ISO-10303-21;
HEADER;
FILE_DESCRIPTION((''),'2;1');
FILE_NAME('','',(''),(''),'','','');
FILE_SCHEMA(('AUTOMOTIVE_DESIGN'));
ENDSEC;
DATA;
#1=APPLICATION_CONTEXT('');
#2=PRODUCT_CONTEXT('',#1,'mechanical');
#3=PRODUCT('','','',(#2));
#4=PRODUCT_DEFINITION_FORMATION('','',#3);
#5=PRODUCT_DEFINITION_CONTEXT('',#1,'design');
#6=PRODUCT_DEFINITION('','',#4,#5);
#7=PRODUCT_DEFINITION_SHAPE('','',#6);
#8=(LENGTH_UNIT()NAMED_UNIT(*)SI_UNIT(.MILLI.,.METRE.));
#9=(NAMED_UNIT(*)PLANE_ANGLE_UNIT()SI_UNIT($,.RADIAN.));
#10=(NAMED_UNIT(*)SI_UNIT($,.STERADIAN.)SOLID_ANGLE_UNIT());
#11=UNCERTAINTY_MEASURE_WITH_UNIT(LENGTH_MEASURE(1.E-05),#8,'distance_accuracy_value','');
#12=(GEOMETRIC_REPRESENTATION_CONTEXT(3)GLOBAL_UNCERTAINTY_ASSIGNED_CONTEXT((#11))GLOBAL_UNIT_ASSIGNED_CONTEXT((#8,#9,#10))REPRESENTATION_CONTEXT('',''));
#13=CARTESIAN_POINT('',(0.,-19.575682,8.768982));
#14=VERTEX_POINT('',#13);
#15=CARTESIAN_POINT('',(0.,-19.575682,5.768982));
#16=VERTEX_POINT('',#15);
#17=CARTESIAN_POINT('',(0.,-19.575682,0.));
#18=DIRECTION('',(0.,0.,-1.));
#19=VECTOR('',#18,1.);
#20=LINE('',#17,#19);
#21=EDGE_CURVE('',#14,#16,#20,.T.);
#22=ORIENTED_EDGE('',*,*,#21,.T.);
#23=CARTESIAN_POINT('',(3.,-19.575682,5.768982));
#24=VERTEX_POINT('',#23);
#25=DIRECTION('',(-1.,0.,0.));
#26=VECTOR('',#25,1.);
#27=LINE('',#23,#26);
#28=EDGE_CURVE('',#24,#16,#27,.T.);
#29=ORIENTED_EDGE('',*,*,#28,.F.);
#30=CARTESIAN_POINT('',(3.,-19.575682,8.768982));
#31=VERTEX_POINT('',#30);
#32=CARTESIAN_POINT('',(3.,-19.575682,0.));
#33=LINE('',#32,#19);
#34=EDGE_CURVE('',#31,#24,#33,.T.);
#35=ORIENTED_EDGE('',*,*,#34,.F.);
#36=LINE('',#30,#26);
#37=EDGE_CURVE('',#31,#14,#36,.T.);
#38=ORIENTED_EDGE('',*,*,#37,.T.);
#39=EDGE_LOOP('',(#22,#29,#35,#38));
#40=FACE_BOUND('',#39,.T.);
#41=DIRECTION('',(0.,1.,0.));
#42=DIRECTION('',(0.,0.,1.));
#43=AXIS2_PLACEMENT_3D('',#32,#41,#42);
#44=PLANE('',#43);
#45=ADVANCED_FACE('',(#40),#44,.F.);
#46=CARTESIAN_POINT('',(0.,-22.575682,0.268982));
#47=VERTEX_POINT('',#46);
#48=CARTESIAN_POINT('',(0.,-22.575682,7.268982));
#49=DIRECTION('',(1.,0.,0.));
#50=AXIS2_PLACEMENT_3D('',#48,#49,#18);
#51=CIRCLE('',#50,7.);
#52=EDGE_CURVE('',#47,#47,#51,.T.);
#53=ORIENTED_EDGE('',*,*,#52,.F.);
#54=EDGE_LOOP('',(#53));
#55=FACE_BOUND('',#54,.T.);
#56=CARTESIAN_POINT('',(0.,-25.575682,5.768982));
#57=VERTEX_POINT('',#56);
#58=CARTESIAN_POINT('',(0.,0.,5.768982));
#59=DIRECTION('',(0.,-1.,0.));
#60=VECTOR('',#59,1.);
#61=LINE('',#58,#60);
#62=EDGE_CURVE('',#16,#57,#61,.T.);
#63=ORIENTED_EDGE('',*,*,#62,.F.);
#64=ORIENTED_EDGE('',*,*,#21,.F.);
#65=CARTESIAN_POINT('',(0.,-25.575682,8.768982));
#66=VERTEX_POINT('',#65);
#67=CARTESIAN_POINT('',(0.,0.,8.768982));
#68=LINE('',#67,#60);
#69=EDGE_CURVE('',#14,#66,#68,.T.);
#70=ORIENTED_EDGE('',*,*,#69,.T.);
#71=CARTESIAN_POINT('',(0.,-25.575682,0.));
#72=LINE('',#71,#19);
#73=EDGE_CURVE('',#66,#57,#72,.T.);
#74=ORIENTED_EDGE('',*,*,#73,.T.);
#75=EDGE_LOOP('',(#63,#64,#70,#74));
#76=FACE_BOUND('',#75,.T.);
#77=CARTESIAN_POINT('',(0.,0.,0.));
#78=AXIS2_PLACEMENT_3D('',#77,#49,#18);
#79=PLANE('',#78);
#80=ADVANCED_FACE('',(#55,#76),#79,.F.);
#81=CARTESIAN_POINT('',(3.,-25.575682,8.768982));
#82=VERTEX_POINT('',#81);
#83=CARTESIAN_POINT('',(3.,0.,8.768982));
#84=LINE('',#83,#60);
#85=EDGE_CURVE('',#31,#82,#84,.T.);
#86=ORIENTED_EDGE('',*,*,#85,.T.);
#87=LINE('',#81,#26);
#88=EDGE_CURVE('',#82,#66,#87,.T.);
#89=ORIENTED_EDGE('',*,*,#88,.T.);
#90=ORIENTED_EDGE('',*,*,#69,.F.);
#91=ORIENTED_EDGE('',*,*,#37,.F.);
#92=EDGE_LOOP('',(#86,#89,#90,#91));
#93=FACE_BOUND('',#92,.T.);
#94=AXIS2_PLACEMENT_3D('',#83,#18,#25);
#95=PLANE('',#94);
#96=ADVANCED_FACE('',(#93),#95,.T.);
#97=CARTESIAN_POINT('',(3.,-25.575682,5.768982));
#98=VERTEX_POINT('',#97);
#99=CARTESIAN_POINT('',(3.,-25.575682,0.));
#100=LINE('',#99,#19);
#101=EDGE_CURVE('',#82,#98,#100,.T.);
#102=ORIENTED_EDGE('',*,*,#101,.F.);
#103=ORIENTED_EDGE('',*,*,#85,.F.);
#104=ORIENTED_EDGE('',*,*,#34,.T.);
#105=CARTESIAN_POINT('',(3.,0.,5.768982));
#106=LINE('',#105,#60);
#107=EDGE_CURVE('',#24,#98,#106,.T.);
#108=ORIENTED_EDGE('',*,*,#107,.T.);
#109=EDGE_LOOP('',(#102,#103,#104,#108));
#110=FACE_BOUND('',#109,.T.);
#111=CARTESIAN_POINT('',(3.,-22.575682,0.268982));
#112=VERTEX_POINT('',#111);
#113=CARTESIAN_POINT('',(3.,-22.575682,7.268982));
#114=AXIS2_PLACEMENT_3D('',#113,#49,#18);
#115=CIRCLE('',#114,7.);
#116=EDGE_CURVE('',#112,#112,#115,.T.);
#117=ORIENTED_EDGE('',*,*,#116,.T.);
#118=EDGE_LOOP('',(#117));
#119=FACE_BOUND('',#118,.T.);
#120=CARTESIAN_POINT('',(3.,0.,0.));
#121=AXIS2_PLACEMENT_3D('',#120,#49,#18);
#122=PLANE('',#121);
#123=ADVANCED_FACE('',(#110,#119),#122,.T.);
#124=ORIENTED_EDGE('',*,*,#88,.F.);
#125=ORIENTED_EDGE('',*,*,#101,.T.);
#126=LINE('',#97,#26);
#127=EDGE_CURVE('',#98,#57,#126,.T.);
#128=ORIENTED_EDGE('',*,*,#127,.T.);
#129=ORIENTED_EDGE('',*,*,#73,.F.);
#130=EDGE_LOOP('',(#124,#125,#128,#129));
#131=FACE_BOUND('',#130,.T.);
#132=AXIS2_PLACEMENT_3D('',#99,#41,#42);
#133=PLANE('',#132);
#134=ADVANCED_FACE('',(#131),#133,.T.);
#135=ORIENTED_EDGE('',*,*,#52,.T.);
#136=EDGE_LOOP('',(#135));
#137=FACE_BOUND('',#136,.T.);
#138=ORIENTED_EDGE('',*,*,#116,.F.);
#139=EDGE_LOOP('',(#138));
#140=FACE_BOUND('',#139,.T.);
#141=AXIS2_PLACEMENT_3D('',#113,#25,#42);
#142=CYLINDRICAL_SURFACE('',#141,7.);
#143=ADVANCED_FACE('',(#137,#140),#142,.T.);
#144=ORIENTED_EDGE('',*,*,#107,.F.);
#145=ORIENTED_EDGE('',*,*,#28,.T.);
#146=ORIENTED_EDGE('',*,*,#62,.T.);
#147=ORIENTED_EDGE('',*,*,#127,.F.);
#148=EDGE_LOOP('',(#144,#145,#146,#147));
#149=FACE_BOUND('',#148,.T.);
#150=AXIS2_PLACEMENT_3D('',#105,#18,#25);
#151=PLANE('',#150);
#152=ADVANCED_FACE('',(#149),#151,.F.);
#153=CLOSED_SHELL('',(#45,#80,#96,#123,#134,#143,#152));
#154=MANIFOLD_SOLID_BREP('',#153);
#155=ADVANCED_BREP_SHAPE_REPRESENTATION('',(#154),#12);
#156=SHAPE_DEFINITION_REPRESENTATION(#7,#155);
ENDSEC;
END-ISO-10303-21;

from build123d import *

# Parameters (mm, degrees)
SKETCH1_R           = 7
SKETCH1_W           = 3
SKETCH1_H           = 6
BOSS_EXTRUDE1_DEPTH = 3


with BuildPart() as part:
    # Sketch1 → Boss-Extrude1 (new body)
    with BuildSketch(Plane(origin=(0, 0, 0), x_dir=(0, 0, -1), z_dir=(1, 0, 0))):
        with Locations((-7.268981817, -22.575682471)):
            Circle(SKETCH1_R)
        with Locations((-7.268981817, -22.575682471)):
            Rectangle(SKETCH1_W, SKETCH1_H, mode=Mode.SUBTRACT)
    extrude(amount=BOSS_EXTRUDE1_DEPTH)


solid = part.part
